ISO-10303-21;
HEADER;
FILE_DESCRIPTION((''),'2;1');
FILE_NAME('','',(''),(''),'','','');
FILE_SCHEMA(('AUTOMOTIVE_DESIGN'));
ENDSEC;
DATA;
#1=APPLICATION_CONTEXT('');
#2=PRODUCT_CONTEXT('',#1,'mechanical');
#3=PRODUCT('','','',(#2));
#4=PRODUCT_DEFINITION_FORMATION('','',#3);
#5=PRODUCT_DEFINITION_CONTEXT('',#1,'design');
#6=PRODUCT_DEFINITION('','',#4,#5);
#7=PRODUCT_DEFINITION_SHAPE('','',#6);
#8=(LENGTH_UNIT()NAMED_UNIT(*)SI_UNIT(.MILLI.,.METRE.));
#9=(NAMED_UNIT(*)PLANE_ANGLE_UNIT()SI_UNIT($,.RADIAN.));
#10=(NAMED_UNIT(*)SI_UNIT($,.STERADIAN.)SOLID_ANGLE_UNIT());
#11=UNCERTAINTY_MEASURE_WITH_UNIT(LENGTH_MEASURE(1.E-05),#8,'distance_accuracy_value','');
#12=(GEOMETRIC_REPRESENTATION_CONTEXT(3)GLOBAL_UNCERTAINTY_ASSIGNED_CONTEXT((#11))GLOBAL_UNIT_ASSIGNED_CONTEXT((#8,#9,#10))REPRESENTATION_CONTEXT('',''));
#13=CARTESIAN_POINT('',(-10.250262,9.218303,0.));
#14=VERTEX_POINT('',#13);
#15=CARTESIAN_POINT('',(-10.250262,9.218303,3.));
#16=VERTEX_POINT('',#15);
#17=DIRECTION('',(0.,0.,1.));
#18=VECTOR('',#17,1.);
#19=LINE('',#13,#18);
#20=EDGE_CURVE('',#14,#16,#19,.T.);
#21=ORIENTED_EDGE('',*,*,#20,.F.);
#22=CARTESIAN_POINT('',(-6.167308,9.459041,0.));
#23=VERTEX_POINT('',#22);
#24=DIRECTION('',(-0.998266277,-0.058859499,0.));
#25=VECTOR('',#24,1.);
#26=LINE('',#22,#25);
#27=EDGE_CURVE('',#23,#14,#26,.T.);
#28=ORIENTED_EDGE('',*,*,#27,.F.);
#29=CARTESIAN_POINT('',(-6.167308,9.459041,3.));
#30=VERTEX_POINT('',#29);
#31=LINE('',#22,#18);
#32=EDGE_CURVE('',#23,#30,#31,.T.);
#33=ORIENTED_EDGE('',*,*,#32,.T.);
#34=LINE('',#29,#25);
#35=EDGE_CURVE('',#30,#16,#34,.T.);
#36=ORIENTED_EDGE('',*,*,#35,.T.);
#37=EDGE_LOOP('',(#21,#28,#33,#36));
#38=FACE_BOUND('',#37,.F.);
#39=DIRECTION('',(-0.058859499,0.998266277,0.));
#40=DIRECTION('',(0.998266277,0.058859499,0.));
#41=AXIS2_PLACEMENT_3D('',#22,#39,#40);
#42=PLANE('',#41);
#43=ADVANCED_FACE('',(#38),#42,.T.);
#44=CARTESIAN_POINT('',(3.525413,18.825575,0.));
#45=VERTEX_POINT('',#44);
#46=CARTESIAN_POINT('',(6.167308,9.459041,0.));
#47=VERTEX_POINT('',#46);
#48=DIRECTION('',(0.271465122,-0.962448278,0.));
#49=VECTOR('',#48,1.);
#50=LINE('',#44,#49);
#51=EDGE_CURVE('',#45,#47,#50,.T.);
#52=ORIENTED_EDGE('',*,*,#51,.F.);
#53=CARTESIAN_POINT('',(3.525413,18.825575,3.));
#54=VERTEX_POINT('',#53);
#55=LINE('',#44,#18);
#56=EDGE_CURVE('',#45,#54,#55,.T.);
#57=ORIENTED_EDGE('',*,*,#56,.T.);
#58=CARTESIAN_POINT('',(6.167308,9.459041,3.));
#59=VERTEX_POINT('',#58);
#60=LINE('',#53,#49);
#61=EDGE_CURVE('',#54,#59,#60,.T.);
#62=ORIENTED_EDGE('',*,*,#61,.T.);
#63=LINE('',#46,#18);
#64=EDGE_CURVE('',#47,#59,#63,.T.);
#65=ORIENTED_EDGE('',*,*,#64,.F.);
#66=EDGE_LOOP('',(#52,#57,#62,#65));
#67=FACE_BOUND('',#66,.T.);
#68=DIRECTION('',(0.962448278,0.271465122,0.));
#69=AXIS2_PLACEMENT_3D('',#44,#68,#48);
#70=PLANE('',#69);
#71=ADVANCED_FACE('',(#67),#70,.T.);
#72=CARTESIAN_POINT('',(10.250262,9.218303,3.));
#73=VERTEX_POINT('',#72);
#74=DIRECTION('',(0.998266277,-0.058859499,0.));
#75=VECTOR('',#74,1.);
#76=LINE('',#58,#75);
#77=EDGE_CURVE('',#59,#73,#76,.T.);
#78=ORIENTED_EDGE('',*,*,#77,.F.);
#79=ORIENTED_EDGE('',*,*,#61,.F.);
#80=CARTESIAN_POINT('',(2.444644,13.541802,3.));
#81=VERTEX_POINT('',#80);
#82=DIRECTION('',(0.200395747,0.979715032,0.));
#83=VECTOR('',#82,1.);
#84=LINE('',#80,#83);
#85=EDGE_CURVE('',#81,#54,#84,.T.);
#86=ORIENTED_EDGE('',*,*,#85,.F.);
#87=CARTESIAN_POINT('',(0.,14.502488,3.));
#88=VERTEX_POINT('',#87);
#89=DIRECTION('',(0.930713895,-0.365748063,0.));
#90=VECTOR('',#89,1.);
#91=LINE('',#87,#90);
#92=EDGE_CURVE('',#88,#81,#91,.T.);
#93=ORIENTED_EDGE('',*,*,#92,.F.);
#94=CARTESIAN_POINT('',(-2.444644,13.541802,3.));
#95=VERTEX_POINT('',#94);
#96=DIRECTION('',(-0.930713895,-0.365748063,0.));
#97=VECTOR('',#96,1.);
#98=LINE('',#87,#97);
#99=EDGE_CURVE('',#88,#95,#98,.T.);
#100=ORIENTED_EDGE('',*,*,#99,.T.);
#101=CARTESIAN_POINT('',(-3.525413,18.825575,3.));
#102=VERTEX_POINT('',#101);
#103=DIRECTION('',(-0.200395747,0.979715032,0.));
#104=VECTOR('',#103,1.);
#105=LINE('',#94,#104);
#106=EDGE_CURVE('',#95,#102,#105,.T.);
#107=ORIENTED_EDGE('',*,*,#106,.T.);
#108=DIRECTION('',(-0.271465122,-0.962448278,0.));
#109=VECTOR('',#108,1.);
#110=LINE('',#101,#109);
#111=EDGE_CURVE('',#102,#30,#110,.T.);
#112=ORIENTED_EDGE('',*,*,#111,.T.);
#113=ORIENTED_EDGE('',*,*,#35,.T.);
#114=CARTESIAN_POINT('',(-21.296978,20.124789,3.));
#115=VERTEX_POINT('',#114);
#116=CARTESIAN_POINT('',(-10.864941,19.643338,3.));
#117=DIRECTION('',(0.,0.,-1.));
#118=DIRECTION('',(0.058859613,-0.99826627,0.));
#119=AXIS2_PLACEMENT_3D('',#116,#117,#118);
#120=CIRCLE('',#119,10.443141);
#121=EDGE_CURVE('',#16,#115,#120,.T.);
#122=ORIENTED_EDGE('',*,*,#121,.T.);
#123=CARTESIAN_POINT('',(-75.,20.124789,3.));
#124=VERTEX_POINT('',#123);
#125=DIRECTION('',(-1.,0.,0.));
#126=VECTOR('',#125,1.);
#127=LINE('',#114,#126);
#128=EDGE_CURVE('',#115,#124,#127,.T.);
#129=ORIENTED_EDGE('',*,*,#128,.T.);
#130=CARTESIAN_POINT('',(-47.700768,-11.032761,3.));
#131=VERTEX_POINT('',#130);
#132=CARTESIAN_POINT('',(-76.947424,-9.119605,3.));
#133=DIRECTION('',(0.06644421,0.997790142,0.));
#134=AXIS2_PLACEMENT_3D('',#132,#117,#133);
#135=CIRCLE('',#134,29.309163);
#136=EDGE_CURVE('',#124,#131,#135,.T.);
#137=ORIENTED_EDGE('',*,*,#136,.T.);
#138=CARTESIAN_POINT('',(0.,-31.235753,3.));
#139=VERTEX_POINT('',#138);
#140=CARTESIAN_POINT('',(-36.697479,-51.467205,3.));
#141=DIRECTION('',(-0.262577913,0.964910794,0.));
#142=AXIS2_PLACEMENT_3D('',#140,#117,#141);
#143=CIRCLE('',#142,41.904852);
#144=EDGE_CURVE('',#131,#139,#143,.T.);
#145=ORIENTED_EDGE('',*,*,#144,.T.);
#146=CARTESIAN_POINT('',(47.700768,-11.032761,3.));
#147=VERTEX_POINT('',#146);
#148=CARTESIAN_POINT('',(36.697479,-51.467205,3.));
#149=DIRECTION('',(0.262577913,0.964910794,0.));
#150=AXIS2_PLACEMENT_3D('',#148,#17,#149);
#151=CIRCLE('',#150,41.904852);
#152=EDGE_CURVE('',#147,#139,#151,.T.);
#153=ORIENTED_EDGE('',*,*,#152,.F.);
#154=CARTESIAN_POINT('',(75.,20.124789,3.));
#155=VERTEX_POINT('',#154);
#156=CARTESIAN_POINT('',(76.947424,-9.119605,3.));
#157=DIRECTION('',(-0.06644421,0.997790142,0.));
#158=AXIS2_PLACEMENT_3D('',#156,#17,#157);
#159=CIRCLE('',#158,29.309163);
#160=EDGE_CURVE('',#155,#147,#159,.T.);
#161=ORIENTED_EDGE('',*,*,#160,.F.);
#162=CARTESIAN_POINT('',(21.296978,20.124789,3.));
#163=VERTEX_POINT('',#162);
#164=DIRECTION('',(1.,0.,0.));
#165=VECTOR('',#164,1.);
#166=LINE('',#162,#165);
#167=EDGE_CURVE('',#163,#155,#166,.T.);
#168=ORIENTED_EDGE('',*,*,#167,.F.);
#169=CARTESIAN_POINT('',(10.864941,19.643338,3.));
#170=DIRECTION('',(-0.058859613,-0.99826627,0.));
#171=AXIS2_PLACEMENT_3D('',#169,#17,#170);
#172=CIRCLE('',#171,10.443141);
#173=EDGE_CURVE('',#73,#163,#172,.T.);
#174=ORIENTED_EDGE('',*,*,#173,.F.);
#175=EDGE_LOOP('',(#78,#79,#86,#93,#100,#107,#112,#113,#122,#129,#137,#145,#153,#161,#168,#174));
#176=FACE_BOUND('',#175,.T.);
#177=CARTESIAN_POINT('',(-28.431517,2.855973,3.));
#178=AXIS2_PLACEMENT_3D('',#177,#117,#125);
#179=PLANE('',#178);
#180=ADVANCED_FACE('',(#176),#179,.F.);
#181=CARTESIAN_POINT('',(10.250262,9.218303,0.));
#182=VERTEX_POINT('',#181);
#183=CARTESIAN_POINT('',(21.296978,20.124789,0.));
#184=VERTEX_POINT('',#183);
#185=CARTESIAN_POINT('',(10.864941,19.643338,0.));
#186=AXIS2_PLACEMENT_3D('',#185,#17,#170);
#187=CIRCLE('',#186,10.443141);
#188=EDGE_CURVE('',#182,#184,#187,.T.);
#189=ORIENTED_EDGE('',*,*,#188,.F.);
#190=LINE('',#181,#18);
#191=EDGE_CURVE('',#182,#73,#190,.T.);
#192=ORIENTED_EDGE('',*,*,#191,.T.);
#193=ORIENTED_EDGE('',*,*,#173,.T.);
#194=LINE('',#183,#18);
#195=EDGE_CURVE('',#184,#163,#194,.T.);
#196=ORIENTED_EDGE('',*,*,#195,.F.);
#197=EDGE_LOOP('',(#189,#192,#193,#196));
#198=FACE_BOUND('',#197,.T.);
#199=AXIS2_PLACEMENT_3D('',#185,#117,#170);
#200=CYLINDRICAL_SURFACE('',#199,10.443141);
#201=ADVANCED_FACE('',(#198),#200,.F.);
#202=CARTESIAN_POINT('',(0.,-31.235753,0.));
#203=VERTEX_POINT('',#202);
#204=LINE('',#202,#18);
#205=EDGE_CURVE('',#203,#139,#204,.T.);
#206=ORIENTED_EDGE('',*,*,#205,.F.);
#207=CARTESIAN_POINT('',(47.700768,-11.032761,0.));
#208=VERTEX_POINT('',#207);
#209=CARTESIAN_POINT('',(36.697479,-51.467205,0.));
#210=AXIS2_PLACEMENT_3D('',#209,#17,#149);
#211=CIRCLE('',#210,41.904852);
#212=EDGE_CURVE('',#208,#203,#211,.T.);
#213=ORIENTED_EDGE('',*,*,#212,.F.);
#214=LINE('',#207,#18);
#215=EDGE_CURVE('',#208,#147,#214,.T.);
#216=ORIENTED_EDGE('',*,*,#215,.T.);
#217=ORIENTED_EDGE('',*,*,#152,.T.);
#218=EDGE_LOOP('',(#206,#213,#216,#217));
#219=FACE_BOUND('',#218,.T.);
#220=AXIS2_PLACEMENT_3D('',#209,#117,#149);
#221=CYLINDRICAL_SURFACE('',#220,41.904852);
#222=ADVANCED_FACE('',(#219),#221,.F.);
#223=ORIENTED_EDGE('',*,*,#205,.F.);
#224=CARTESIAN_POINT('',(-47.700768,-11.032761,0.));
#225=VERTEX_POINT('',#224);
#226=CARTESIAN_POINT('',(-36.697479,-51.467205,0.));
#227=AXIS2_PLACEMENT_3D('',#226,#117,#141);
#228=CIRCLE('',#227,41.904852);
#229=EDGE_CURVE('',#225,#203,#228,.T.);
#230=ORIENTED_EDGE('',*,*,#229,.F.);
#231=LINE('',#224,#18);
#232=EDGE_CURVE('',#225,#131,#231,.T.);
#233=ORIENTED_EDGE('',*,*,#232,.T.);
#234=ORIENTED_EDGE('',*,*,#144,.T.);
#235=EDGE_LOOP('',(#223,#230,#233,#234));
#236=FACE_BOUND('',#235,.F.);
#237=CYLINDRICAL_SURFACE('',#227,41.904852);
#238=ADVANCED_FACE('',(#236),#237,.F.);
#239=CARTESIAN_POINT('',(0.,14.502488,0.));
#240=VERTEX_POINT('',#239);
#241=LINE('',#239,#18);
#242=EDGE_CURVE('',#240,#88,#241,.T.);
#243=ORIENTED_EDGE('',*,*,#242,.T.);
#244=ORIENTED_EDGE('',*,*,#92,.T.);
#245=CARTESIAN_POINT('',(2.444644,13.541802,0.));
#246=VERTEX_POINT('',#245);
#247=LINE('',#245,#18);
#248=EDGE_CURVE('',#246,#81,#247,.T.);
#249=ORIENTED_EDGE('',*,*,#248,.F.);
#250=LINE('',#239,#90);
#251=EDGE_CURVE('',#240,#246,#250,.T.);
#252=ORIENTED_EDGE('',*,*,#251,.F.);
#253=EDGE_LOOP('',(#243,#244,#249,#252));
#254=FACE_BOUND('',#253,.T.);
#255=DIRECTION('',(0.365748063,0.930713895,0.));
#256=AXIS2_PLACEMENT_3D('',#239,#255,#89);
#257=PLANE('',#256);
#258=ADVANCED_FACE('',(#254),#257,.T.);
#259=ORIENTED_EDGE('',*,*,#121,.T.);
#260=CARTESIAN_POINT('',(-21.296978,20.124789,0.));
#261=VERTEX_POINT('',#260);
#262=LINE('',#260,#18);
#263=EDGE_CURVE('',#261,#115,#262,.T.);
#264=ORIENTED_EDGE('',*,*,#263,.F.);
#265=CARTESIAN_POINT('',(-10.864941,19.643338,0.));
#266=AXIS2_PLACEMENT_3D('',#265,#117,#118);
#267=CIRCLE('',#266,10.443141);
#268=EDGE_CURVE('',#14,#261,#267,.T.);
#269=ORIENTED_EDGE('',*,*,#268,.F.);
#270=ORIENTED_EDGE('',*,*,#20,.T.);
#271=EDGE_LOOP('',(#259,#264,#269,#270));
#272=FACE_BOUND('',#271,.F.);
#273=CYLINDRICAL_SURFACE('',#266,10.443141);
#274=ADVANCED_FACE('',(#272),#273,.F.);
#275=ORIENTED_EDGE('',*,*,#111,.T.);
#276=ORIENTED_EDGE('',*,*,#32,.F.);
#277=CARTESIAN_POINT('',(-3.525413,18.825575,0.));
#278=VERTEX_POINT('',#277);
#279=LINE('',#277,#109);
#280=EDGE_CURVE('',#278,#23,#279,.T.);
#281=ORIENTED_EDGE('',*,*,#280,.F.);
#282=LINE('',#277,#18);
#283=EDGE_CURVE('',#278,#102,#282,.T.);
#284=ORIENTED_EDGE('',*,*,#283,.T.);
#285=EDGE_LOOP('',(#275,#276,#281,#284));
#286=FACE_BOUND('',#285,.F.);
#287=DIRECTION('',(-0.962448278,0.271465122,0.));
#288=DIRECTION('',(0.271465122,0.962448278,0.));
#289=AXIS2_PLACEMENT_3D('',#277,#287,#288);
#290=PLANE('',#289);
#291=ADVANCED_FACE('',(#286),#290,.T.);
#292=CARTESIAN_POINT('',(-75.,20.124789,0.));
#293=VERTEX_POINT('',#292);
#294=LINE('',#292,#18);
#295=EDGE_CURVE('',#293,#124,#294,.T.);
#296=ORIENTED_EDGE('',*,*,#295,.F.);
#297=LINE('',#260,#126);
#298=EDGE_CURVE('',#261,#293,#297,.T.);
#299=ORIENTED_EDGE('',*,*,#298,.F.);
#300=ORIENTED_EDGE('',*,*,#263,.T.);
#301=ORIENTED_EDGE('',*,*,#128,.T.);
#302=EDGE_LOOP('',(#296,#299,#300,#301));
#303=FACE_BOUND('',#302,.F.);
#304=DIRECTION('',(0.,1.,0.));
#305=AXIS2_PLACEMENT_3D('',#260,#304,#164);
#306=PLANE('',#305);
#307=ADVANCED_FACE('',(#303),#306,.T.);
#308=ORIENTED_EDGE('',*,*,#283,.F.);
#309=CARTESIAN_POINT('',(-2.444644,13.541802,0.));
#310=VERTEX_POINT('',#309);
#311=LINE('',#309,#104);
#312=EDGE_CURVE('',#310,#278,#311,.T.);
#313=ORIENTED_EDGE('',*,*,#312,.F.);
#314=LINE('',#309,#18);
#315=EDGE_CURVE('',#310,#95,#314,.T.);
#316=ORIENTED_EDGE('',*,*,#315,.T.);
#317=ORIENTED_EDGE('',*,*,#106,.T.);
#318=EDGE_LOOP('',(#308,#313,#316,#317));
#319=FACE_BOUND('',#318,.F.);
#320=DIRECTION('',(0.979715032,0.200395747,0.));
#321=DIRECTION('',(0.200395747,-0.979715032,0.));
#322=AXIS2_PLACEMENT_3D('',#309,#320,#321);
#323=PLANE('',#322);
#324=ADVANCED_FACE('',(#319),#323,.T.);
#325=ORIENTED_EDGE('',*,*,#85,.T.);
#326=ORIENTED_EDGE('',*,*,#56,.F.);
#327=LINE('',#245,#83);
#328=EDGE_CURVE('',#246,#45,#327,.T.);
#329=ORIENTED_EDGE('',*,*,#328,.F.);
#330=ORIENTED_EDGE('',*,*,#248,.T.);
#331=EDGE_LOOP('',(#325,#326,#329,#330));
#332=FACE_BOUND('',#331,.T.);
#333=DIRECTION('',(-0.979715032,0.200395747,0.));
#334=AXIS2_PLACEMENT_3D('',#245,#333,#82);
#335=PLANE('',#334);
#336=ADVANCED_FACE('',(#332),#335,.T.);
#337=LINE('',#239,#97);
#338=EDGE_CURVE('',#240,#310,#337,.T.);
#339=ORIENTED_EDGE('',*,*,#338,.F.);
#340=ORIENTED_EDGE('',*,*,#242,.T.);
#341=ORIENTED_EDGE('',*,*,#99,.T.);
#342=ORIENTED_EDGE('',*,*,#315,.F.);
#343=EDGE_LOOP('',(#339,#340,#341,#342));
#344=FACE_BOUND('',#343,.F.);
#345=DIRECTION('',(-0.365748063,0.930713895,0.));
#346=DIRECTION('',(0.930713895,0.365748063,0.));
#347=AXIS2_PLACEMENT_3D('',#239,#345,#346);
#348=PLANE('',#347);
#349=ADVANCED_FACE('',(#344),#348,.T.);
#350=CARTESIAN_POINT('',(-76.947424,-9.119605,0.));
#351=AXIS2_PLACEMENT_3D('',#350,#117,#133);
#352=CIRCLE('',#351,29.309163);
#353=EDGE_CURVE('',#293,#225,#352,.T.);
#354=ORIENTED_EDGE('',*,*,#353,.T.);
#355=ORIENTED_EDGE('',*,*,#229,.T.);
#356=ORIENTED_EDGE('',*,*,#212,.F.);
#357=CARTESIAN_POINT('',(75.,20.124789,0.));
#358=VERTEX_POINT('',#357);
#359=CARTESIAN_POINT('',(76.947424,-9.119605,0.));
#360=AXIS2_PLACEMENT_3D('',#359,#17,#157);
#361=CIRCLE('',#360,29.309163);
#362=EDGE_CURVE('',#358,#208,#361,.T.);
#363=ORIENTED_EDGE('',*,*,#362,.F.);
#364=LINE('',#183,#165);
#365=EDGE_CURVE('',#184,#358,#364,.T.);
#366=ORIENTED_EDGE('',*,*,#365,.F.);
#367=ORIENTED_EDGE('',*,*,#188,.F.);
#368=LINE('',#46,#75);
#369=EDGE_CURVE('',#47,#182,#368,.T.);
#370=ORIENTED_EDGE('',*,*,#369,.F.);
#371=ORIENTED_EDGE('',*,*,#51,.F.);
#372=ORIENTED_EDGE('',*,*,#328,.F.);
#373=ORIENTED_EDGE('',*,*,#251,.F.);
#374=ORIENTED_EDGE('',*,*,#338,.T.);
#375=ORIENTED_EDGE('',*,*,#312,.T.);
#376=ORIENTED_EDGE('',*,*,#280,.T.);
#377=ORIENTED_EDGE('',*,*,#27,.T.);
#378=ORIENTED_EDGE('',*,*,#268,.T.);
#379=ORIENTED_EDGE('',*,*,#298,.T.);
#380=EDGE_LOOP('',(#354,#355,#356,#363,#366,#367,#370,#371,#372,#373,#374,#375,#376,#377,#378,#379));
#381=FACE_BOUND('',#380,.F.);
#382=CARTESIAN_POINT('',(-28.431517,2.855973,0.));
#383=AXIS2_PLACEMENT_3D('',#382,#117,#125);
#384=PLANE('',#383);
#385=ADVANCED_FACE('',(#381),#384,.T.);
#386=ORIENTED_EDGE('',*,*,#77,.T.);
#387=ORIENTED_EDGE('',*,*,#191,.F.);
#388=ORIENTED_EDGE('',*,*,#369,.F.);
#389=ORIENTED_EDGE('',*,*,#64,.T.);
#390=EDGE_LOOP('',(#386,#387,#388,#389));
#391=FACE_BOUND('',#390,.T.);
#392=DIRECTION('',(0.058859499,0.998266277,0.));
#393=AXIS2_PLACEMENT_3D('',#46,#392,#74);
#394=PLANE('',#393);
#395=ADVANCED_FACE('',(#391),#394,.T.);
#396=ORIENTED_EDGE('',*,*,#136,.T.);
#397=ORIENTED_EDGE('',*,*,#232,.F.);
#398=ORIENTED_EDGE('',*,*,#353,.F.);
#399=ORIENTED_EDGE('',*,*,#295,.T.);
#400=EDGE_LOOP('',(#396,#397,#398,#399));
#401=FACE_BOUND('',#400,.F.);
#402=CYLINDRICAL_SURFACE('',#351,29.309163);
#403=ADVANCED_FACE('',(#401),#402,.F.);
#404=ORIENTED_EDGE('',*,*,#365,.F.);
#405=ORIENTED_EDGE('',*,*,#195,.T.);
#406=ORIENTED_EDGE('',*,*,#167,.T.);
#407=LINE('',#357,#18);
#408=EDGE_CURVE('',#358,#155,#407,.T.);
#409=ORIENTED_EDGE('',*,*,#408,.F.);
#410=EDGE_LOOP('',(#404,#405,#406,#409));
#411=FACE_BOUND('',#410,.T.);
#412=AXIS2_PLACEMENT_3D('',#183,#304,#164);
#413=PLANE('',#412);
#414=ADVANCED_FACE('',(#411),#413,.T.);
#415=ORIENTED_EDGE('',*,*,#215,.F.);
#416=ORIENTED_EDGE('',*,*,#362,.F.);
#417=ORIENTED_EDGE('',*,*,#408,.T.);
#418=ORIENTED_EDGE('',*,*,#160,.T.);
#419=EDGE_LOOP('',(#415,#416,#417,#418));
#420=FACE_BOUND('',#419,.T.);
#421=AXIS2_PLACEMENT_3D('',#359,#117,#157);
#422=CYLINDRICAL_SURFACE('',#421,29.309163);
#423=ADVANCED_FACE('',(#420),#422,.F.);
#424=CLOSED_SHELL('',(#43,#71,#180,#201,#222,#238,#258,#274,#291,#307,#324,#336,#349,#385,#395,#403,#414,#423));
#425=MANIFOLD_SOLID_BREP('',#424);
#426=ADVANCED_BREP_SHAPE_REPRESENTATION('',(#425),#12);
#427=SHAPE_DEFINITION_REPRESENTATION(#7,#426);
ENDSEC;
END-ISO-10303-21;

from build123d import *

# Parameters (mm, degrees)
PAD_DEPTH = 3


with BuildPart() as part:
    # Sketch → Pad (new body)
    with BuildSketch(Plane.XY):
        with BuildLine():
            Line((0, 0), (0, 14.502488))
            Line((0, 14.502488), (2.444644, 13.541802))
            Line((2.444644, 13.541802), (3.525413, 18.825575))
            Line((3.525413, 18.825575), (6.167308, 9.459041))
            Line((6.167308, 9.459041), (10.250262, 9.218303))
            ThreePointArc((10.250262, 9.218303), (18.202038, 12.211905), (21.296978, 20.124789))
            Line((21.296978, 20.124789), (75, 20.124789))
            ThreePointArc((75, 20.124789), (54.90279, 10.195186), (47.700768, -11.032761))
            ThreePointArc((47.700768, -11.032761), (20.35465, -12.880568), (0, -31.235753))
            Line((0, -31.235753), (0, 0))
        make_face()
    pad = extrude(amount=PAD_DEPTH)

    # Mirrored: Pad across Sketch V_Axis
    add(pad.mirror(Plane(origin=(0, 0, 0), x_dir=(0, 0, 1), z_dir=(1, 0, 0))))


solid = part.part
